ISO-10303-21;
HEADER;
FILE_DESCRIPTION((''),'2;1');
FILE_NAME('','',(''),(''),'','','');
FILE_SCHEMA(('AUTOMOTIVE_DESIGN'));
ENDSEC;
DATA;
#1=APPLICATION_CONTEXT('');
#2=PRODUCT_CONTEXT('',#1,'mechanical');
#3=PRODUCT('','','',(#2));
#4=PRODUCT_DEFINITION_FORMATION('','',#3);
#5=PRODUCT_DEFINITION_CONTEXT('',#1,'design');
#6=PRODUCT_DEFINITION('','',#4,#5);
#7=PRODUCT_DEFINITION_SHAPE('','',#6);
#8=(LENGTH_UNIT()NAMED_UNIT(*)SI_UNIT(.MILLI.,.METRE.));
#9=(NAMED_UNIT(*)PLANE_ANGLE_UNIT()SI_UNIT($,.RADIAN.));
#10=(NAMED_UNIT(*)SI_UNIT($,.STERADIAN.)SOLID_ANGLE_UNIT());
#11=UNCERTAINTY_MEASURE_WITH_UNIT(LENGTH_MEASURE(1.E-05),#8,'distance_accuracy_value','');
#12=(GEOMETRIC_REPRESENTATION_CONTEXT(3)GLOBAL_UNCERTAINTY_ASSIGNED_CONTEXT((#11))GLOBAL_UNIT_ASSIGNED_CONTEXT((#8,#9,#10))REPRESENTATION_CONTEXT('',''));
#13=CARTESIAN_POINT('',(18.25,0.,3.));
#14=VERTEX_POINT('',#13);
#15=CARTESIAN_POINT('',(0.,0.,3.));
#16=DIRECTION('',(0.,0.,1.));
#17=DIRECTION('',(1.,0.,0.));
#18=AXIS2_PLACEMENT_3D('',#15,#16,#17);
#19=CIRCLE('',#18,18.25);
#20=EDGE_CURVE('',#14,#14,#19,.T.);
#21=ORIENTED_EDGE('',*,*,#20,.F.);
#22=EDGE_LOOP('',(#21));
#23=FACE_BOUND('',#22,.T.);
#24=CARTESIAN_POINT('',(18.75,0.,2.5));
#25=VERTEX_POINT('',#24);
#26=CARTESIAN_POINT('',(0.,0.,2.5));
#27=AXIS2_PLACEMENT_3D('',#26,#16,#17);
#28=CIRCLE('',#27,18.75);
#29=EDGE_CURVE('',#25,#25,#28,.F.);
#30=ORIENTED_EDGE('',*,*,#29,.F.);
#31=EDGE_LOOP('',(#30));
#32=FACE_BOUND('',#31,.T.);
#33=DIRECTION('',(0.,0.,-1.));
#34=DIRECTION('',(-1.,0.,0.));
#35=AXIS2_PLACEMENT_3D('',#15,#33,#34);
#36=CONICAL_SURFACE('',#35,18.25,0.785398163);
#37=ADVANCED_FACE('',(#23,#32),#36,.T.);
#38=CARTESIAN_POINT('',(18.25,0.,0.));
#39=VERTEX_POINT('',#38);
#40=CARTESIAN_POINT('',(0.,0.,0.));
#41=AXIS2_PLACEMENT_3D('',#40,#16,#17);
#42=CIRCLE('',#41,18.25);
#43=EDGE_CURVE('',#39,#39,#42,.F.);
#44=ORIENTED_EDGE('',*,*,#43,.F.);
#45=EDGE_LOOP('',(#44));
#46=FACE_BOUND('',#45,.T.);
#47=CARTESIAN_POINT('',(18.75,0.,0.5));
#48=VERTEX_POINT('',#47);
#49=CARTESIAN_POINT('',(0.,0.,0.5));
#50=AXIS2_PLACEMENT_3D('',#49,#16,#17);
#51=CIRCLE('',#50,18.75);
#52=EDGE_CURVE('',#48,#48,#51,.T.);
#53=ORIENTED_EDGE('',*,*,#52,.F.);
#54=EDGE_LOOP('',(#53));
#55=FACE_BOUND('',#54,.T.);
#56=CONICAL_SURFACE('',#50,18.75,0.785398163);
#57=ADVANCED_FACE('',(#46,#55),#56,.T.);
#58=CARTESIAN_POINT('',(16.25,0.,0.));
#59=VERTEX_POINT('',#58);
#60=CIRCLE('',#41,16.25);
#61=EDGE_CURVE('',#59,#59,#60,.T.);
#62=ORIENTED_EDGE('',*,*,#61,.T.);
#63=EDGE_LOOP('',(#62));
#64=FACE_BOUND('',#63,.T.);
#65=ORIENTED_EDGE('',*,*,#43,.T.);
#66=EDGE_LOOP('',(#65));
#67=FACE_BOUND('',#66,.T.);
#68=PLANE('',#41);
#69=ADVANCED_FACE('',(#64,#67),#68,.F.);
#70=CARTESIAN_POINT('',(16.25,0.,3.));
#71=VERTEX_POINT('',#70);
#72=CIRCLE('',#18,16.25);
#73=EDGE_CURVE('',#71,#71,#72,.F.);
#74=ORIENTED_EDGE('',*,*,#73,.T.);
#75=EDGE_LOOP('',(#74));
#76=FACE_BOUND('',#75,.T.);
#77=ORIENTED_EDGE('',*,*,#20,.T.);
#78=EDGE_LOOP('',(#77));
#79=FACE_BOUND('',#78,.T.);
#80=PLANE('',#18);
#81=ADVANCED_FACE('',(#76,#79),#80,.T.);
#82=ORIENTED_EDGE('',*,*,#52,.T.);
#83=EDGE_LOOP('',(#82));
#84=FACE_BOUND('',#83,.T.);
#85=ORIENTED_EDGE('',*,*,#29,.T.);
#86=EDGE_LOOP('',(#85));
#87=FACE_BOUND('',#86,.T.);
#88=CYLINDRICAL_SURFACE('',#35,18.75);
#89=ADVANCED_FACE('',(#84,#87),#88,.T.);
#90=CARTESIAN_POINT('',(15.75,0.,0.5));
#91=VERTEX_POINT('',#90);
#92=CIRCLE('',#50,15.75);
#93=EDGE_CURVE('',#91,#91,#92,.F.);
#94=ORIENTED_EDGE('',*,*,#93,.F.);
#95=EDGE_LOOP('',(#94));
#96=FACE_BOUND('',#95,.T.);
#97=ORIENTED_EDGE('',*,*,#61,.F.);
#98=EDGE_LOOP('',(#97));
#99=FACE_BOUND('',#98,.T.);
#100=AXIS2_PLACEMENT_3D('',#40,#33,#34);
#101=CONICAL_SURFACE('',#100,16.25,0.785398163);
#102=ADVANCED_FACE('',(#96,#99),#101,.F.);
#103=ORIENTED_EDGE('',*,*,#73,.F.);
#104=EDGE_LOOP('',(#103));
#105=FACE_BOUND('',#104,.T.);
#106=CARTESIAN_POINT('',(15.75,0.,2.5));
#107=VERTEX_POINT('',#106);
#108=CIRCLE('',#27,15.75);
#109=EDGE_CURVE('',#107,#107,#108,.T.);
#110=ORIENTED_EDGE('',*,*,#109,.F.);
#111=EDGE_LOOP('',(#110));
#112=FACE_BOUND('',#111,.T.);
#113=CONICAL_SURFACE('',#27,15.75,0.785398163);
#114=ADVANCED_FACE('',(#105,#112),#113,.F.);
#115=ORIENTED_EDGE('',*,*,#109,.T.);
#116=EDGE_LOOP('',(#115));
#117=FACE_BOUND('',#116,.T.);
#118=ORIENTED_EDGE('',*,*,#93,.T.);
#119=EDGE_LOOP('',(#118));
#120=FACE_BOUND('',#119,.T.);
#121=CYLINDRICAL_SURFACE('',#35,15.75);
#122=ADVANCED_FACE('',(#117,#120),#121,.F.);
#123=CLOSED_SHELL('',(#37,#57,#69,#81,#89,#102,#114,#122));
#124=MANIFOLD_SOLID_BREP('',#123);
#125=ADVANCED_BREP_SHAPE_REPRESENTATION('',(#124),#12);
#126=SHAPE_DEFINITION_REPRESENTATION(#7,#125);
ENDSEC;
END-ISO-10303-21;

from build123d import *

# Parameters (mm, degrees)
SKETCH1_R           = 18.75
SKETCH1_R_2         = 15.75
BOSS_EXTRUDE1_DEPTH = 3
CHAMFER1_SIZE       = 0.5


with BuildPart() as part:
    # Sketch1 → Boss-Extrude1 (new body)
    with BuildSketch(Plane.XY):
        Circle(SKETCH1_R)
        Circle(SKETCH1_R_2, mode=Mode.SUBTRACT)
    extrude(amount=BOSS_EXTRUDE1_DEPTH)

    # Chamfer1
    chamfer1_edges = [part.edges().sort_by_distance(p)[0] for p in [
        (-18.75, 0, 0),
        (-18.75, 0, 3),
        (-15.75, 0, 0),
        (-15.75, 0, 3),
    ]]
    chamfer(chamfer1_edges, length=CHAMFER1_SIZE)


solid = part.part
